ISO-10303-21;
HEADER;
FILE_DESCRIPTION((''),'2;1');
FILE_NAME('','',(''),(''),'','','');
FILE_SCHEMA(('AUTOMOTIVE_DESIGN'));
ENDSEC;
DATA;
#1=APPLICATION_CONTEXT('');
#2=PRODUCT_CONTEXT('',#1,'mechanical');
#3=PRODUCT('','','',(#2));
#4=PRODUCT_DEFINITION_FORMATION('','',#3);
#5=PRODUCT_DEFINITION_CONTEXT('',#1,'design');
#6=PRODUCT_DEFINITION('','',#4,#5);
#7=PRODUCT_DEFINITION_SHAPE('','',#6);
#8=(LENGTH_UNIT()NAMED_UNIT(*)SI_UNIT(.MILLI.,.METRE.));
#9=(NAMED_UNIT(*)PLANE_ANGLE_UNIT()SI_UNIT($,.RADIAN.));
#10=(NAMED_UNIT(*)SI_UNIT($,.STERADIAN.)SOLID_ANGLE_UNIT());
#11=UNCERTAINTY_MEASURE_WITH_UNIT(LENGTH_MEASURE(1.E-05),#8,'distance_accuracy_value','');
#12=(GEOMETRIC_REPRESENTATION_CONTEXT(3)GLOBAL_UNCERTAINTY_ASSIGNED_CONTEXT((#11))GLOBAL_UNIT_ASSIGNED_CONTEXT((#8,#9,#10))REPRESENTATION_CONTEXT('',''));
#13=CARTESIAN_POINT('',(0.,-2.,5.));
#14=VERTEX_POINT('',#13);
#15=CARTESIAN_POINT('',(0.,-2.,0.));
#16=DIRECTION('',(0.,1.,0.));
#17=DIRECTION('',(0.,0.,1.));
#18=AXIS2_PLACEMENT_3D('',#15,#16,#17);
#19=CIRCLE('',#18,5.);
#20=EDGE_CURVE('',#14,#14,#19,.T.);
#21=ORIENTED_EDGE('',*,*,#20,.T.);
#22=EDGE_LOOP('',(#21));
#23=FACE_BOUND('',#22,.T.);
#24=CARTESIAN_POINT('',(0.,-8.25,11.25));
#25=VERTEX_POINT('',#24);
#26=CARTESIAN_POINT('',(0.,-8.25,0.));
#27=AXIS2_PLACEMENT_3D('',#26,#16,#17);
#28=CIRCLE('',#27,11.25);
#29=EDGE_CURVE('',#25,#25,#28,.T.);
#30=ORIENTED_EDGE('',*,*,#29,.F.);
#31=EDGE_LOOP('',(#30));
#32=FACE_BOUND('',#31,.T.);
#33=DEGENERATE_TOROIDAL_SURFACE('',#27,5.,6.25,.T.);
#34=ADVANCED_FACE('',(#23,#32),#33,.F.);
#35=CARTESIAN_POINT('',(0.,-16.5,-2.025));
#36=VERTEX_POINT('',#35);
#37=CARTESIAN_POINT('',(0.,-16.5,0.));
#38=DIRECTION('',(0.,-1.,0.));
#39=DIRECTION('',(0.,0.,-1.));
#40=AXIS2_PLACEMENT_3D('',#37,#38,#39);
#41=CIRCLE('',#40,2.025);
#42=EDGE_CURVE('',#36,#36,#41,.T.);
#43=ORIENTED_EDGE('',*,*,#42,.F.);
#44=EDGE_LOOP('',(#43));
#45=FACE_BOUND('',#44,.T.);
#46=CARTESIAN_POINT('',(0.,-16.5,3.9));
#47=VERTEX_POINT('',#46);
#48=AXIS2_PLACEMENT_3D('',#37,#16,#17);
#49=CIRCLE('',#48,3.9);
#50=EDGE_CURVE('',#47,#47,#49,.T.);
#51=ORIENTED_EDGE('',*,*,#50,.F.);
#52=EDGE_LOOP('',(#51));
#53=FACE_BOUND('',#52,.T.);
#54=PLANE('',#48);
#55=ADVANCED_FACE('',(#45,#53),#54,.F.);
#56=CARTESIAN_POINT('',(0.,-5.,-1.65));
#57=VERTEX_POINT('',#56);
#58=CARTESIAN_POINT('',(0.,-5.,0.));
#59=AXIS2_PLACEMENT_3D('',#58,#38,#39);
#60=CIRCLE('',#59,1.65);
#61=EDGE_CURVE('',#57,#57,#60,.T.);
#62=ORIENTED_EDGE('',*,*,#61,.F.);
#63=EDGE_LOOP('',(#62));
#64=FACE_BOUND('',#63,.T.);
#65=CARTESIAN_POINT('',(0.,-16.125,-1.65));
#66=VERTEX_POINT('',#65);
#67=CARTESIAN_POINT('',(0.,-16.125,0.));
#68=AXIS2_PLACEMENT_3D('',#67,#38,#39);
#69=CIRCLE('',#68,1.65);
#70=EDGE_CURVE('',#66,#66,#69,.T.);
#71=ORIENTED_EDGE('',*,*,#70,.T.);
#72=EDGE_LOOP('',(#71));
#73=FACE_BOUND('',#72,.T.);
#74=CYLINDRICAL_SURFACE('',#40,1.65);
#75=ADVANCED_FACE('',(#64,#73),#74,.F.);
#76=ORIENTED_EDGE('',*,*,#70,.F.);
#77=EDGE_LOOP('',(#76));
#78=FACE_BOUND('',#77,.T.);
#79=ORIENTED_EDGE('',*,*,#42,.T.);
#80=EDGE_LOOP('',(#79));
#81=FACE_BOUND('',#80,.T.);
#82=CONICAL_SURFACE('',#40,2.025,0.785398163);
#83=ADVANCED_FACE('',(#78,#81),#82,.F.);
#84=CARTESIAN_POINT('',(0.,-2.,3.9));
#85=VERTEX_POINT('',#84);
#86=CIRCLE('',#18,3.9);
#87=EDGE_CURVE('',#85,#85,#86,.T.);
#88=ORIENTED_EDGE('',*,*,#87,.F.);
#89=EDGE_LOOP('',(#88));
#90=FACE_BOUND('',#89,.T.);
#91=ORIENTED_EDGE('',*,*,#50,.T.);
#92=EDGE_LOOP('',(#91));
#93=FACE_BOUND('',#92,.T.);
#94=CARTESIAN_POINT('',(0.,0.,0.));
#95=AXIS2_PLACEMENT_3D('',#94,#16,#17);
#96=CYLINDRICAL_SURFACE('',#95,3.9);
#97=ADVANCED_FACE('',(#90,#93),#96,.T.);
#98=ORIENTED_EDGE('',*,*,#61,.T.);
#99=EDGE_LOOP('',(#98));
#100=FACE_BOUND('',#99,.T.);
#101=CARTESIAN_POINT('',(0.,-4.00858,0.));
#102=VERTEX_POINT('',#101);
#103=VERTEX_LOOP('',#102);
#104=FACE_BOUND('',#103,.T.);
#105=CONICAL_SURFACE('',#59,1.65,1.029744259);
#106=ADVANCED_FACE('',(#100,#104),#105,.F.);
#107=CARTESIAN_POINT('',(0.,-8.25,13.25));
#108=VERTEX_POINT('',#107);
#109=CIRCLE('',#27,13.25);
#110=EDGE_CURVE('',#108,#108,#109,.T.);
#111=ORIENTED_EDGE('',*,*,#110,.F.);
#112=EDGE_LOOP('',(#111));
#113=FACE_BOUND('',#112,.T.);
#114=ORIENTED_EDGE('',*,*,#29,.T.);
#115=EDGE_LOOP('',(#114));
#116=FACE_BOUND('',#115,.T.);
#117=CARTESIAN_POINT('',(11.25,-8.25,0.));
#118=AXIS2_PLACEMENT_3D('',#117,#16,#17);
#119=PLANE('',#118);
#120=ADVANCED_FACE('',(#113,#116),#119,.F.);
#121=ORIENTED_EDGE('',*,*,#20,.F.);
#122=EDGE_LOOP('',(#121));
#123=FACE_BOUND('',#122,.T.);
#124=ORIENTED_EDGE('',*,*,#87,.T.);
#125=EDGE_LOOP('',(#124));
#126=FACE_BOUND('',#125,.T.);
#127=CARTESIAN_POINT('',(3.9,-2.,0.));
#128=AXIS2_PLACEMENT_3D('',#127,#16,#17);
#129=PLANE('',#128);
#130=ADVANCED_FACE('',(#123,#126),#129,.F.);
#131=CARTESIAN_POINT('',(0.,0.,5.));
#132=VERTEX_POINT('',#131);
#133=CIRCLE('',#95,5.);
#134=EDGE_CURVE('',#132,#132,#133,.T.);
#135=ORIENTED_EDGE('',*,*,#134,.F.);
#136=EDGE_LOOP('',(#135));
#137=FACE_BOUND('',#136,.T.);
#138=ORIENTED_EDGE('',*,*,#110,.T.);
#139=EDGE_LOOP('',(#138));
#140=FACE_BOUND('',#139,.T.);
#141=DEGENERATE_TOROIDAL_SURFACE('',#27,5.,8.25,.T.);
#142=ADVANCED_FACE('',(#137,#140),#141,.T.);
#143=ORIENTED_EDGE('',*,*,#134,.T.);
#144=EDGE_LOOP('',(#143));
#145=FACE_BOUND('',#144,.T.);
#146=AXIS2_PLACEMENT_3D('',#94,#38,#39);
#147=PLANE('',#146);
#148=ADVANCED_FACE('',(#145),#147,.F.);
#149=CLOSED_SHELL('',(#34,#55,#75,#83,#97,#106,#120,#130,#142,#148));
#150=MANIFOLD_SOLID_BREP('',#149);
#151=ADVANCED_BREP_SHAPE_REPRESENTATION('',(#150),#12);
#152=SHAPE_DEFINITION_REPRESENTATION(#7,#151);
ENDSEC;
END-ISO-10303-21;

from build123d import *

# Parameters (mm, degrees)
FURO_ROSCADO_DE_M41_D           = 3.3
FURO_ROSCADO_DE_M41_DEPTH       = 11.5
FURO_ROSCADO_DE_M41_CSINK_D     = 4.05
FURO_ROSCADO_DE_M41_CSINK_ANGLE = 90
FURO_ROSCADO_DE_M41_TIP         = 0.991420021


with BuildPart() as part:
    # Esboço1 → Revolução1 (revolve)
    with BuildSketch(Plane.XY, mode=Mode.PRIVATE) as revolu_o1_sk:
        with BuildLine():
            Line((0, 0), (0, -16.5))
            Line((0, -16.5), (3.9, -16.5))
            Line((3.9, -16.5), (3.9, -2))
            Line((3.9, -2), (5, -2))
            ThreePointArc((5, -2), (9.419417382, -3.830582618), (11.25, -8.25))
            Line((11.25, -8.25), (13.25, -8.25))
            ThreePointArc((13.25, -8.25), (10.833630945, -2.416369055), (5, 0))
            Line((5, 0), (0, 0))
        make_face()
    revolve(revolu_o1_sk.sketch.rotate(Axis((0, 0, 0), (0, -1, 0)), 90), axis=Axis((0, 0, 0), (0, -1, 0)))

    # Furo roscado de M41
    with Locations(Plane(origin=(0, -16.5, 0), x_dir=(-1, 0, 0), z_dir=(0, -1, 0))):
        with Locations((0, 0)):
            CounterSinkHole(FURO_ROSCADO_DE_M41_D / 2, FURO_ROSCADO_DE_M41_CSINK_D / 2, depth=FURO_ROSCADO_DE_M41_DEPTH, counter_sink_angle=FURO_ROSCADO_DE_M41_CSINK_ANGLE)
            with Locations((0, 0, -(FURO_ROSCADO_DE_M41_DEPTH + FURO_ROSCADO_DE_M41_TIP / 2))):  # 118° drill point
                Cone(0, FURO_ROSCADO_DE_M41_D / 2, FURO_ROSCADO_DE_M41_TIP, mode=Mode.SUBTRACT)


solid = part.part
